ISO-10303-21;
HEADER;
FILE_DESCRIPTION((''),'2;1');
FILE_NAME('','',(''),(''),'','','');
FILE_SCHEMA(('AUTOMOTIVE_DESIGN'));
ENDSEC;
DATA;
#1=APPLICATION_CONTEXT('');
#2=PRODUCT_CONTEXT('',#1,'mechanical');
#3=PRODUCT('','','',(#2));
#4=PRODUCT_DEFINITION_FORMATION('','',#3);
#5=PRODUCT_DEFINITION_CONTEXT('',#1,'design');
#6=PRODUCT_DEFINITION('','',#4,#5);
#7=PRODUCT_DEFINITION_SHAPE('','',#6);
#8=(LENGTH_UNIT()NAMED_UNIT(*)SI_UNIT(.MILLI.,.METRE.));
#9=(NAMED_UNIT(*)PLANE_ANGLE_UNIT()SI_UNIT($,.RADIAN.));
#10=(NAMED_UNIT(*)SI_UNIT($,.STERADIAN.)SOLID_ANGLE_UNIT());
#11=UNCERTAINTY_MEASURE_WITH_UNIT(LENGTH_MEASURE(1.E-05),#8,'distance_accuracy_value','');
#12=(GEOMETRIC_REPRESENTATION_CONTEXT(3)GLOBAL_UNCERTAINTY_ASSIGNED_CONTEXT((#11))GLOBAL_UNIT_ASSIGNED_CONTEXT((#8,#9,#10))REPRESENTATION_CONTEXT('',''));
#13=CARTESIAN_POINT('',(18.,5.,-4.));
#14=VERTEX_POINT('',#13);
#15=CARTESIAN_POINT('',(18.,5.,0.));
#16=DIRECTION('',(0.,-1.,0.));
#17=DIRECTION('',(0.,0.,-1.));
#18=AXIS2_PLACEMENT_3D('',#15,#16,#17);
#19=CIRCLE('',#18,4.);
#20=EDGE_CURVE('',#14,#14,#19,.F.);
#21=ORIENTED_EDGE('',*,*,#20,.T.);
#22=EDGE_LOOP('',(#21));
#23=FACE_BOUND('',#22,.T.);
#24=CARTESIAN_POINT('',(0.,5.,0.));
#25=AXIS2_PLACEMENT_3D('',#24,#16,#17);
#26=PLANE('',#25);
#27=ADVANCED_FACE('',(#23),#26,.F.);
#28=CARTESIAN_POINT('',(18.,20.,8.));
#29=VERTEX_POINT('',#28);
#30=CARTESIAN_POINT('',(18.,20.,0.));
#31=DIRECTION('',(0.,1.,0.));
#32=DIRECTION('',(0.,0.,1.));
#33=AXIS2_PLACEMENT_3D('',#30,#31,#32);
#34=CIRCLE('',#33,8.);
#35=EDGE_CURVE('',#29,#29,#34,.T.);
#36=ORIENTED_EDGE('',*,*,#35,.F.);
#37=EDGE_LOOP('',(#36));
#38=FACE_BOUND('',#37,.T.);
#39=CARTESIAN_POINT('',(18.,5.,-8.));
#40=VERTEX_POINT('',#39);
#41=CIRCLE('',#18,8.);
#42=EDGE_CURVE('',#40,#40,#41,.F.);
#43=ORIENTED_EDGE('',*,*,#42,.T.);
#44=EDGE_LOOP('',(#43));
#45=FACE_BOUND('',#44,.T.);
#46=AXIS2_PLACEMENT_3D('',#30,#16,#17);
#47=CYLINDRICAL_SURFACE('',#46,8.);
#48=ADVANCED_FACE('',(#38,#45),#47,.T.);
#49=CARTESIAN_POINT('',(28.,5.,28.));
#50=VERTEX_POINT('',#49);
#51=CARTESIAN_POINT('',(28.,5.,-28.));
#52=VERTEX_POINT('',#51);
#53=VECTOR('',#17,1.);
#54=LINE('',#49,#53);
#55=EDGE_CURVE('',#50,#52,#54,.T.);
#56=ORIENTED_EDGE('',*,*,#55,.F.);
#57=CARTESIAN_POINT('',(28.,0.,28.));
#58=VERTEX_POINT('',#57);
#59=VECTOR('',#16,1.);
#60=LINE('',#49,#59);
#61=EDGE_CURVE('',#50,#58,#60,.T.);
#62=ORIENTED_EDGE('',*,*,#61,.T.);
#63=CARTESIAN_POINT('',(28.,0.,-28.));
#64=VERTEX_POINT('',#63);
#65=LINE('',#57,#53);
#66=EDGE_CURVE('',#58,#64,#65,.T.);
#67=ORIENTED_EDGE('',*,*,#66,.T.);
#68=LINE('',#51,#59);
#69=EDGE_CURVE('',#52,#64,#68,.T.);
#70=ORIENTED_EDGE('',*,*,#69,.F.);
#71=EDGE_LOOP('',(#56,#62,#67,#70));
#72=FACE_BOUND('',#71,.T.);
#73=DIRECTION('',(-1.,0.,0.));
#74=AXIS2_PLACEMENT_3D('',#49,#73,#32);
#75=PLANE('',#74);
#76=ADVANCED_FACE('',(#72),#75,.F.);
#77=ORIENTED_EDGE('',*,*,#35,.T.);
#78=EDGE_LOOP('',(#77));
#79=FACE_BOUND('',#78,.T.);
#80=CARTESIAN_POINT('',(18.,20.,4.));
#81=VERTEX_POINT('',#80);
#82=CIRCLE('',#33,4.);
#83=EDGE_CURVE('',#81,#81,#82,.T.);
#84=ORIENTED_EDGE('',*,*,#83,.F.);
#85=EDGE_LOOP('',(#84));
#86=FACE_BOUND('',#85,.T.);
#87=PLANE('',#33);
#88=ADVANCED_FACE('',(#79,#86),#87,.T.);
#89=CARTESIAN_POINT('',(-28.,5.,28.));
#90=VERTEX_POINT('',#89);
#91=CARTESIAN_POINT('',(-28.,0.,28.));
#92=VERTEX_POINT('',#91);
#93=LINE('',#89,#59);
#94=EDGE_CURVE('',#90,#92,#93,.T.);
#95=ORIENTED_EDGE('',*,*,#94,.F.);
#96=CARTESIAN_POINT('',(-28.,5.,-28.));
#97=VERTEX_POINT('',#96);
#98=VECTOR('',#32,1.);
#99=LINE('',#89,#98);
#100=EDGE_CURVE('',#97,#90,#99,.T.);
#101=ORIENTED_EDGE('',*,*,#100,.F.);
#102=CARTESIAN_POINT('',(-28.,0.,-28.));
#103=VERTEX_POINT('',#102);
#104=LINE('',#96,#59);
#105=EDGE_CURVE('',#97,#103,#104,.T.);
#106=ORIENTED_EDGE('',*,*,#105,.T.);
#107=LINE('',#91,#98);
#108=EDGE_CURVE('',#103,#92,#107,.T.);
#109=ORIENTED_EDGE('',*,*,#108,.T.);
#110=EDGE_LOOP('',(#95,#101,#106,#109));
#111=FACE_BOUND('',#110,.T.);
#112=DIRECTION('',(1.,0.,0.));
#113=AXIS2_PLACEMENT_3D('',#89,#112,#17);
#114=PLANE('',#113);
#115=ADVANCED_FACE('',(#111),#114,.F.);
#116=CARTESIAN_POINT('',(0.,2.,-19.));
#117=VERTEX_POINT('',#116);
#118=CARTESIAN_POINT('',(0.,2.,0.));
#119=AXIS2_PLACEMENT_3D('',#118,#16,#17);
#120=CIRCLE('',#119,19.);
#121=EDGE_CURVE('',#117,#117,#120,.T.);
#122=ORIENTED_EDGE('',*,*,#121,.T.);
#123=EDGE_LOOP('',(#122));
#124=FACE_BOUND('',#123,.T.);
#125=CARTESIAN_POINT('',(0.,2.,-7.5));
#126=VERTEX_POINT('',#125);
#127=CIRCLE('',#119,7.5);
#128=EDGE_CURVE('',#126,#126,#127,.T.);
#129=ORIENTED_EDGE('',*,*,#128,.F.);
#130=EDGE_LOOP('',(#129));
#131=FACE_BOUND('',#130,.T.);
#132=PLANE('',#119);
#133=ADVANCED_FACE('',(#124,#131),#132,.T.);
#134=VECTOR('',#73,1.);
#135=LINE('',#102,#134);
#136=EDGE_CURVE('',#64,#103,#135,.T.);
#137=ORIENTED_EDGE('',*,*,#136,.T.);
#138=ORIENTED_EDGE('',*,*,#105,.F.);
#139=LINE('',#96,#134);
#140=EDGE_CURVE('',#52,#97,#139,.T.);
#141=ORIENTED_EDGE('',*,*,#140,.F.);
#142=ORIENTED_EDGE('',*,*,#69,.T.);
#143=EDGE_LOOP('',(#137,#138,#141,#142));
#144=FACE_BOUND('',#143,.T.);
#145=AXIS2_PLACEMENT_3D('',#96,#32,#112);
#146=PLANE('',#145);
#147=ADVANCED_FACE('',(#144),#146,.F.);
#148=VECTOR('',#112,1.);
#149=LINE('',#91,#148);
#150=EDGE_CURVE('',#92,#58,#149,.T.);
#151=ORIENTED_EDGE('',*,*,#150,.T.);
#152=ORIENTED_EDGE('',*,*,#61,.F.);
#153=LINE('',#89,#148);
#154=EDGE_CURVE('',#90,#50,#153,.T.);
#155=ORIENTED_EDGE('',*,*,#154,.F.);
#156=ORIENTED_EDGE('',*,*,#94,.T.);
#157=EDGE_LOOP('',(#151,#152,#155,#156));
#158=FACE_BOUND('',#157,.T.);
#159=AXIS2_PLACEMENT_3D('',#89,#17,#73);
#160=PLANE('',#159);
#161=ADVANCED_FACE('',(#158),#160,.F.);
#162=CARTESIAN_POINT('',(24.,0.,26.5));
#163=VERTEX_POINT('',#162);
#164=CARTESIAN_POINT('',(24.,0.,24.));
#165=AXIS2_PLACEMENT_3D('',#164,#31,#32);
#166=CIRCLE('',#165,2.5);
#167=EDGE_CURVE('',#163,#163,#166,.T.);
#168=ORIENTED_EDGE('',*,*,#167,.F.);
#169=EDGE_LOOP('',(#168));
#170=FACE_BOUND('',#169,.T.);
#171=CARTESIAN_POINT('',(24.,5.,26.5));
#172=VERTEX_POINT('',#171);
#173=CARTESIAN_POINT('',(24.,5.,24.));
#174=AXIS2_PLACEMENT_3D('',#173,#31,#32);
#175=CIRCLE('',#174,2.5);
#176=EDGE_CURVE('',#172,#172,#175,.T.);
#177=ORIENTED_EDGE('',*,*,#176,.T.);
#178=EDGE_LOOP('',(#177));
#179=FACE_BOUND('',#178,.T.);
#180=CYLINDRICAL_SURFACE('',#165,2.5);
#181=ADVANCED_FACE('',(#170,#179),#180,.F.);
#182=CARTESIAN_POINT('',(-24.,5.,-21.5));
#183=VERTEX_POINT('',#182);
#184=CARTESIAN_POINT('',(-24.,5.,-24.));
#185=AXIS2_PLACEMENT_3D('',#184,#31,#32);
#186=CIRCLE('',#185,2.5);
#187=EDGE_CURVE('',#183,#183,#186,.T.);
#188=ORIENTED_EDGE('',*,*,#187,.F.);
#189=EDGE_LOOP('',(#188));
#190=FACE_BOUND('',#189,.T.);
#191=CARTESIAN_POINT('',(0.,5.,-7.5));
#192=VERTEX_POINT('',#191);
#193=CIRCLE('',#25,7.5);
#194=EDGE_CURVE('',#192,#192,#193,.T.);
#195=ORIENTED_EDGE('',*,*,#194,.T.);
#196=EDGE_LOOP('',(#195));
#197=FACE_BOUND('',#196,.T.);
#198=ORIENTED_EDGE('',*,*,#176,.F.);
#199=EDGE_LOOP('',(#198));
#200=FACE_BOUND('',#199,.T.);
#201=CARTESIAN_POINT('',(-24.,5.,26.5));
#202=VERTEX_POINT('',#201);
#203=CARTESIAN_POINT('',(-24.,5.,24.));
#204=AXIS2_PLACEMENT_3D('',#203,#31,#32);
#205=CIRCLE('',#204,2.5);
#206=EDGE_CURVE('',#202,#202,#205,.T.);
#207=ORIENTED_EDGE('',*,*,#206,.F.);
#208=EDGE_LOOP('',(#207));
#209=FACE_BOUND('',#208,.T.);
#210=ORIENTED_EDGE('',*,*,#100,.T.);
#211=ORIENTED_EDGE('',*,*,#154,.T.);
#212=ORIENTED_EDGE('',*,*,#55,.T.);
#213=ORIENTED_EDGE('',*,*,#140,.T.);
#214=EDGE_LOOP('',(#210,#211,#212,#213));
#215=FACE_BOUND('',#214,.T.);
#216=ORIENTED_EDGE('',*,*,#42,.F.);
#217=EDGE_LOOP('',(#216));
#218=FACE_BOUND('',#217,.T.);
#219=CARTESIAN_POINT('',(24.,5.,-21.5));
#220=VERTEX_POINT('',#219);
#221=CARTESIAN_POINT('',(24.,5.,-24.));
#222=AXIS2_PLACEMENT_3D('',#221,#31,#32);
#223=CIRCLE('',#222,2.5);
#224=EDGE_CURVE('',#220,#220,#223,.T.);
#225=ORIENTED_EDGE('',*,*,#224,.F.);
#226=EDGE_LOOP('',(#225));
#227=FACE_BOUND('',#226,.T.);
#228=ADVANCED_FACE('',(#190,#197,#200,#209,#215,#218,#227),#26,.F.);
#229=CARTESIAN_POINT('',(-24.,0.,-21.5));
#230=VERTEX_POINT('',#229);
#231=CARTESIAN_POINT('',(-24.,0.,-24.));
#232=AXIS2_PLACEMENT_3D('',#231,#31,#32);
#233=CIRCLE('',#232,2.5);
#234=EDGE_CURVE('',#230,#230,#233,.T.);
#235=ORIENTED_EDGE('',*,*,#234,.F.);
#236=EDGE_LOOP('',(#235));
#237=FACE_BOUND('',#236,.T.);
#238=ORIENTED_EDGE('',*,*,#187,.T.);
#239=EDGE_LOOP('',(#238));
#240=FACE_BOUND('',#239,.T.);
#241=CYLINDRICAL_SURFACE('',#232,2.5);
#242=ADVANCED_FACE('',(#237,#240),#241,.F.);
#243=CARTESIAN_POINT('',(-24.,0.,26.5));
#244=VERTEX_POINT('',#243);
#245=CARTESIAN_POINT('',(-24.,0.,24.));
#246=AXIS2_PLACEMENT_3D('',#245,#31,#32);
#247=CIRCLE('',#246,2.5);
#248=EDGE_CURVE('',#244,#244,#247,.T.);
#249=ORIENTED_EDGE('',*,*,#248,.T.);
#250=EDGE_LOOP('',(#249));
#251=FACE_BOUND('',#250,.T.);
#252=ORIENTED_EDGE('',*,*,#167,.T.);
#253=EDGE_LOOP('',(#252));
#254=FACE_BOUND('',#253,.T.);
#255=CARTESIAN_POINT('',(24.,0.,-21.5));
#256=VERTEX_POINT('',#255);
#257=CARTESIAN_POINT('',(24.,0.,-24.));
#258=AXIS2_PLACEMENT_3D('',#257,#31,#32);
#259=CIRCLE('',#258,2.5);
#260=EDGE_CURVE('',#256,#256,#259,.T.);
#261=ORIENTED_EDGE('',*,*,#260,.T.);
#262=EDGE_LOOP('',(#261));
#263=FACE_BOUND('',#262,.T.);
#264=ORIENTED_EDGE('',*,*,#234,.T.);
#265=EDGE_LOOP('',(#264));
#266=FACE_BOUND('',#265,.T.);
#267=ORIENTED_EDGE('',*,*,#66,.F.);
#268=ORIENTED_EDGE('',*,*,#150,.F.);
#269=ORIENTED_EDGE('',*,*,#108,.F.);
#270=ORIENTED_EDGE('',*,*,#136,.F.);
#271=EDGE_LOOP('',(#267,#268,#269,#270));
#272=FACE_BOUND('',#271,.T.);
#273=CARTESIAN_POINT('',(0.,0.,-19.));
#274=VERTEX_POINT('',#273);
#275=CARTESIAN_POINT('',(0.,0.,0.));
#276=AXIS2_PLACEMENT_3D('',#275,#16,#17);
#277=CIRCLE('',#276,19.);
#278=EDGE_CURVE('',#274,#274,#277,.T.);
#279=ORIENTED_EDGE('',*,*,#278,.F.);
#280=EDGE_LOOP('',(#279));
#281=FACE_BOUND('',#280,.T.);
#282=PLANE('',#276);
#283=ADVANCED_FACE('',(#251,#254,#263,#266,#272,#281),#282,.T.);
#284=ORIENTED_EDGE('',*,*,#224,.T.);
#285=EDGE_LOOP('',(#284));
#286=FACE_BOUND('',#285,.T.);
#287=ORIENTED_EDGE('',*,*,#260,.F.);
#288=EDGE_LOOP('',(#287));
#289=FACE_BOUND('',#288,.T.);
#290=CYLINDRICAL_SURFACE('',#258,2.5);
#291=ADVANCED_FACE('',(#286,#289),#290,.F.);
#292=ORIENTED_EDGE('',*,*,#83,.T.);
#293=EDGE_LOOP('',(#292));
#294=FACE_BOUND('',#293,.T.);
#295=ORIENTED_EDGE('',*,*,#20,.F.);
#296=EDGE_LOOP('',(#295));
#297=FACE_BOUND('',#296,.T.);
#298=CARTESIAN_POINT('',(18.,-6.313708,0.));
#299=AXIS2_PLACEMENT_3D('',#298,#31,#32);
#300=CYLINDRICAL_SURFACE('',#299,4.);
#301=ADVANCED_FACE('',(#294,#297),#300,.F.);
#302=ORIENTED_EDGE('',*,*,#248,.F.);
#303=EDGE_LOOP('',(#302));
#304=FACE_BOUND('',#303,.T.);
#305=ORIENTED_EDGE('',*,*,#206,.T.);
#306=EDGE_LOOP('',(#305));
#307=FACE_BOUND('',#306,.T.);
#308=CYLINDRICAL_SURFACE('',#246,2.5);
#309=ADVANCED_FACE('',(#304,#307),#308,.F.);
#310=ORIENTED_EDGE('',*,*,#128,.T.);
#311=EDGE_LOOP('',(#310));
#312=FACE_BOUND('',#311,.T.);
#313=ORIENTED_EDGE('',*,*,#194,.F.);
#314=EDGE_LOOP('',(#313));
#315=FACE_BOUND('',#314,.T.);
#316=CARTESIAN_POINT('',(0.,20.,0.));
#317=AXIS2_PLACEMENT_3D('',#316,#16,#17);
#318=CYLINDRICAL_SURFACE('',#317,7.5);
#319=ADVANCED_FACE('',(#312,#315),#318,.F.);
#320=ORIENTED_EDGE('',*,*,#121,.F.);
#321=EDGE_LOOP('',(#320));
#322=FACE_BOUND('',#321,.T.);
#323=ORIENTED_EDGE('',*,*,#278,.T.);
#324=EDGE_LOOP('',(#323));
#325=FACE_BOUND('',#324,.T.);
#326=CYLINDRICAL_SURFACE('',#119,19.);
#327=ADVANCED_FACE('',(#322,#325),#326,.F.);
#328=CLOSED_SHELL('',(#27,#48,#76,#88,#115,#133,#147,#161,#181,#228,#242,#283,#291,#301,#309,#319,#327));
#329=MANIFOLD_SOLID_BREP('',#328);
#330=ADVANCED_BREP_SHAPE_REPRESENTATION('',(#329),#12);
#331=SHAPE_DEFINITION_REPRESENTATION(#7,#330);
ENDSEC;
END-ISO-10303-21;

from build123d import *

# Parameters (mm, degrees)
SKETCH1_W               = 56
SKETCH1_H               = 56
BOSS_EXTRUDE1_DEPTH     = 5
SKETCH2_R               = 8
BOSS_EXTRUDE2_DEPTH     = 15
SKETCH4_R               = 19
CUT_EXTRUDE2_DEPTH      = 2
CUT_EXTRUDE3_DEPTH      = 44.497126342
CUT_EXTRUDE3_DEPTH_BACK = 44.497126342
SKETCH5_R               = 7.5
SKETCH6_R               = 4
CUT_EXTRUDE4_DEPTH      = 15
SKETCH7_R               = 2.5
CUT_EXTRUDE5_DEPTH      = 43.343830719


with BuildPart() as part:
    # Sketch1 → Boss-Extrude1 (new body)
    with BuildSketch(Plane(origin=(0, 0, 0), x_dir=(1, 0, 0), z_dir=(0, 1, 0))):
        Rectangle(SKETCH1_W, SKETCH1_H)
    extrude(amount=BOSS_EXTRUDE1_DEPTH)

    # Sketch2 → Boss-Extrude2 (add)
    with BuildSketch(Plane(origin=(0, 5, 0), x_dir=(1, 0, 0), z_dir=(0, 1, 0))):
        with Locations(Location((18, 0, 0), (0, 0, 90))):
            Circle(SKETCH2_R)
    extrude(amount=BOSS_EXTRUDE2_DEPTH)

    # Sketch4 → Cut-Extrude2 (cut)
    with BuildSketch(Plane.XZ):
        with Locations(Location((0, 0, 0), (0, 0, 270))):
            Circle(SKETCH4_R)
    extrude(amount=-CUT_EXTRUDE2_DEPTH, mode=Mode.SUBTRACT)

    # Sketch5 → Cut-Extrude3 (cut, two sides: drawn at the far end of the back side and taken through both)
    with BuildSketch(Plane.XZ.offset(-2).offset(-CUT_EXTRUDE3_DEPTH_BACK)):
        with Locations(Location((0, 0, 0), (0, 0, 270))):
            Circle(SKETCH5_R)
    extrude(amount=CUT_EXTRUDE3_DEPTH + CUT_EXTRUDE3_DEPTH_BACK, mode=Mode.SUBTRACT)

    # Sketch6 → Cut-Extrude4 (cut)
    with BuildSketch(Plane(origin=(0, 20, 0), x_dir=(1, 0, 0), z_dir=(0, 1, 0))):
        with Locations(Location((18, 0, 0), (0, 0, 270))):
            Circle(SKETCH6_R)
    extrude(amount=-CUT_EXTRUDE4_DEPTH, mode=Mode.SUBTRACT)

    # Sketch7 → Cut-Extrude5 (cut, through all)
    with BuildSketch(Plane(origin=(0, 5, 0), x_dir=(1, 0, 0), z_dir=(0, 1, 0))):
        with Locations(Location((-24, 24, 0), (0, 0, 270))):
            Circle(SKETCH7_R)
        with Locations(Location((24, 24, 0), (0, 0, 270))):
            Circle(SKETCH7_R)
        with Locations(Location((24, -24, 0), (0, 0, 270))):
            Circle(SKETCH7_R)
        with Locations(Location((-24, -24, 0), (0, 0, 270))):
            Circle(SKETCH7_R)
    extrude(amount=-CUT_EXTRUDE5_DEPTH, mode=Mode.SUBTRACT)


solid = part.part
